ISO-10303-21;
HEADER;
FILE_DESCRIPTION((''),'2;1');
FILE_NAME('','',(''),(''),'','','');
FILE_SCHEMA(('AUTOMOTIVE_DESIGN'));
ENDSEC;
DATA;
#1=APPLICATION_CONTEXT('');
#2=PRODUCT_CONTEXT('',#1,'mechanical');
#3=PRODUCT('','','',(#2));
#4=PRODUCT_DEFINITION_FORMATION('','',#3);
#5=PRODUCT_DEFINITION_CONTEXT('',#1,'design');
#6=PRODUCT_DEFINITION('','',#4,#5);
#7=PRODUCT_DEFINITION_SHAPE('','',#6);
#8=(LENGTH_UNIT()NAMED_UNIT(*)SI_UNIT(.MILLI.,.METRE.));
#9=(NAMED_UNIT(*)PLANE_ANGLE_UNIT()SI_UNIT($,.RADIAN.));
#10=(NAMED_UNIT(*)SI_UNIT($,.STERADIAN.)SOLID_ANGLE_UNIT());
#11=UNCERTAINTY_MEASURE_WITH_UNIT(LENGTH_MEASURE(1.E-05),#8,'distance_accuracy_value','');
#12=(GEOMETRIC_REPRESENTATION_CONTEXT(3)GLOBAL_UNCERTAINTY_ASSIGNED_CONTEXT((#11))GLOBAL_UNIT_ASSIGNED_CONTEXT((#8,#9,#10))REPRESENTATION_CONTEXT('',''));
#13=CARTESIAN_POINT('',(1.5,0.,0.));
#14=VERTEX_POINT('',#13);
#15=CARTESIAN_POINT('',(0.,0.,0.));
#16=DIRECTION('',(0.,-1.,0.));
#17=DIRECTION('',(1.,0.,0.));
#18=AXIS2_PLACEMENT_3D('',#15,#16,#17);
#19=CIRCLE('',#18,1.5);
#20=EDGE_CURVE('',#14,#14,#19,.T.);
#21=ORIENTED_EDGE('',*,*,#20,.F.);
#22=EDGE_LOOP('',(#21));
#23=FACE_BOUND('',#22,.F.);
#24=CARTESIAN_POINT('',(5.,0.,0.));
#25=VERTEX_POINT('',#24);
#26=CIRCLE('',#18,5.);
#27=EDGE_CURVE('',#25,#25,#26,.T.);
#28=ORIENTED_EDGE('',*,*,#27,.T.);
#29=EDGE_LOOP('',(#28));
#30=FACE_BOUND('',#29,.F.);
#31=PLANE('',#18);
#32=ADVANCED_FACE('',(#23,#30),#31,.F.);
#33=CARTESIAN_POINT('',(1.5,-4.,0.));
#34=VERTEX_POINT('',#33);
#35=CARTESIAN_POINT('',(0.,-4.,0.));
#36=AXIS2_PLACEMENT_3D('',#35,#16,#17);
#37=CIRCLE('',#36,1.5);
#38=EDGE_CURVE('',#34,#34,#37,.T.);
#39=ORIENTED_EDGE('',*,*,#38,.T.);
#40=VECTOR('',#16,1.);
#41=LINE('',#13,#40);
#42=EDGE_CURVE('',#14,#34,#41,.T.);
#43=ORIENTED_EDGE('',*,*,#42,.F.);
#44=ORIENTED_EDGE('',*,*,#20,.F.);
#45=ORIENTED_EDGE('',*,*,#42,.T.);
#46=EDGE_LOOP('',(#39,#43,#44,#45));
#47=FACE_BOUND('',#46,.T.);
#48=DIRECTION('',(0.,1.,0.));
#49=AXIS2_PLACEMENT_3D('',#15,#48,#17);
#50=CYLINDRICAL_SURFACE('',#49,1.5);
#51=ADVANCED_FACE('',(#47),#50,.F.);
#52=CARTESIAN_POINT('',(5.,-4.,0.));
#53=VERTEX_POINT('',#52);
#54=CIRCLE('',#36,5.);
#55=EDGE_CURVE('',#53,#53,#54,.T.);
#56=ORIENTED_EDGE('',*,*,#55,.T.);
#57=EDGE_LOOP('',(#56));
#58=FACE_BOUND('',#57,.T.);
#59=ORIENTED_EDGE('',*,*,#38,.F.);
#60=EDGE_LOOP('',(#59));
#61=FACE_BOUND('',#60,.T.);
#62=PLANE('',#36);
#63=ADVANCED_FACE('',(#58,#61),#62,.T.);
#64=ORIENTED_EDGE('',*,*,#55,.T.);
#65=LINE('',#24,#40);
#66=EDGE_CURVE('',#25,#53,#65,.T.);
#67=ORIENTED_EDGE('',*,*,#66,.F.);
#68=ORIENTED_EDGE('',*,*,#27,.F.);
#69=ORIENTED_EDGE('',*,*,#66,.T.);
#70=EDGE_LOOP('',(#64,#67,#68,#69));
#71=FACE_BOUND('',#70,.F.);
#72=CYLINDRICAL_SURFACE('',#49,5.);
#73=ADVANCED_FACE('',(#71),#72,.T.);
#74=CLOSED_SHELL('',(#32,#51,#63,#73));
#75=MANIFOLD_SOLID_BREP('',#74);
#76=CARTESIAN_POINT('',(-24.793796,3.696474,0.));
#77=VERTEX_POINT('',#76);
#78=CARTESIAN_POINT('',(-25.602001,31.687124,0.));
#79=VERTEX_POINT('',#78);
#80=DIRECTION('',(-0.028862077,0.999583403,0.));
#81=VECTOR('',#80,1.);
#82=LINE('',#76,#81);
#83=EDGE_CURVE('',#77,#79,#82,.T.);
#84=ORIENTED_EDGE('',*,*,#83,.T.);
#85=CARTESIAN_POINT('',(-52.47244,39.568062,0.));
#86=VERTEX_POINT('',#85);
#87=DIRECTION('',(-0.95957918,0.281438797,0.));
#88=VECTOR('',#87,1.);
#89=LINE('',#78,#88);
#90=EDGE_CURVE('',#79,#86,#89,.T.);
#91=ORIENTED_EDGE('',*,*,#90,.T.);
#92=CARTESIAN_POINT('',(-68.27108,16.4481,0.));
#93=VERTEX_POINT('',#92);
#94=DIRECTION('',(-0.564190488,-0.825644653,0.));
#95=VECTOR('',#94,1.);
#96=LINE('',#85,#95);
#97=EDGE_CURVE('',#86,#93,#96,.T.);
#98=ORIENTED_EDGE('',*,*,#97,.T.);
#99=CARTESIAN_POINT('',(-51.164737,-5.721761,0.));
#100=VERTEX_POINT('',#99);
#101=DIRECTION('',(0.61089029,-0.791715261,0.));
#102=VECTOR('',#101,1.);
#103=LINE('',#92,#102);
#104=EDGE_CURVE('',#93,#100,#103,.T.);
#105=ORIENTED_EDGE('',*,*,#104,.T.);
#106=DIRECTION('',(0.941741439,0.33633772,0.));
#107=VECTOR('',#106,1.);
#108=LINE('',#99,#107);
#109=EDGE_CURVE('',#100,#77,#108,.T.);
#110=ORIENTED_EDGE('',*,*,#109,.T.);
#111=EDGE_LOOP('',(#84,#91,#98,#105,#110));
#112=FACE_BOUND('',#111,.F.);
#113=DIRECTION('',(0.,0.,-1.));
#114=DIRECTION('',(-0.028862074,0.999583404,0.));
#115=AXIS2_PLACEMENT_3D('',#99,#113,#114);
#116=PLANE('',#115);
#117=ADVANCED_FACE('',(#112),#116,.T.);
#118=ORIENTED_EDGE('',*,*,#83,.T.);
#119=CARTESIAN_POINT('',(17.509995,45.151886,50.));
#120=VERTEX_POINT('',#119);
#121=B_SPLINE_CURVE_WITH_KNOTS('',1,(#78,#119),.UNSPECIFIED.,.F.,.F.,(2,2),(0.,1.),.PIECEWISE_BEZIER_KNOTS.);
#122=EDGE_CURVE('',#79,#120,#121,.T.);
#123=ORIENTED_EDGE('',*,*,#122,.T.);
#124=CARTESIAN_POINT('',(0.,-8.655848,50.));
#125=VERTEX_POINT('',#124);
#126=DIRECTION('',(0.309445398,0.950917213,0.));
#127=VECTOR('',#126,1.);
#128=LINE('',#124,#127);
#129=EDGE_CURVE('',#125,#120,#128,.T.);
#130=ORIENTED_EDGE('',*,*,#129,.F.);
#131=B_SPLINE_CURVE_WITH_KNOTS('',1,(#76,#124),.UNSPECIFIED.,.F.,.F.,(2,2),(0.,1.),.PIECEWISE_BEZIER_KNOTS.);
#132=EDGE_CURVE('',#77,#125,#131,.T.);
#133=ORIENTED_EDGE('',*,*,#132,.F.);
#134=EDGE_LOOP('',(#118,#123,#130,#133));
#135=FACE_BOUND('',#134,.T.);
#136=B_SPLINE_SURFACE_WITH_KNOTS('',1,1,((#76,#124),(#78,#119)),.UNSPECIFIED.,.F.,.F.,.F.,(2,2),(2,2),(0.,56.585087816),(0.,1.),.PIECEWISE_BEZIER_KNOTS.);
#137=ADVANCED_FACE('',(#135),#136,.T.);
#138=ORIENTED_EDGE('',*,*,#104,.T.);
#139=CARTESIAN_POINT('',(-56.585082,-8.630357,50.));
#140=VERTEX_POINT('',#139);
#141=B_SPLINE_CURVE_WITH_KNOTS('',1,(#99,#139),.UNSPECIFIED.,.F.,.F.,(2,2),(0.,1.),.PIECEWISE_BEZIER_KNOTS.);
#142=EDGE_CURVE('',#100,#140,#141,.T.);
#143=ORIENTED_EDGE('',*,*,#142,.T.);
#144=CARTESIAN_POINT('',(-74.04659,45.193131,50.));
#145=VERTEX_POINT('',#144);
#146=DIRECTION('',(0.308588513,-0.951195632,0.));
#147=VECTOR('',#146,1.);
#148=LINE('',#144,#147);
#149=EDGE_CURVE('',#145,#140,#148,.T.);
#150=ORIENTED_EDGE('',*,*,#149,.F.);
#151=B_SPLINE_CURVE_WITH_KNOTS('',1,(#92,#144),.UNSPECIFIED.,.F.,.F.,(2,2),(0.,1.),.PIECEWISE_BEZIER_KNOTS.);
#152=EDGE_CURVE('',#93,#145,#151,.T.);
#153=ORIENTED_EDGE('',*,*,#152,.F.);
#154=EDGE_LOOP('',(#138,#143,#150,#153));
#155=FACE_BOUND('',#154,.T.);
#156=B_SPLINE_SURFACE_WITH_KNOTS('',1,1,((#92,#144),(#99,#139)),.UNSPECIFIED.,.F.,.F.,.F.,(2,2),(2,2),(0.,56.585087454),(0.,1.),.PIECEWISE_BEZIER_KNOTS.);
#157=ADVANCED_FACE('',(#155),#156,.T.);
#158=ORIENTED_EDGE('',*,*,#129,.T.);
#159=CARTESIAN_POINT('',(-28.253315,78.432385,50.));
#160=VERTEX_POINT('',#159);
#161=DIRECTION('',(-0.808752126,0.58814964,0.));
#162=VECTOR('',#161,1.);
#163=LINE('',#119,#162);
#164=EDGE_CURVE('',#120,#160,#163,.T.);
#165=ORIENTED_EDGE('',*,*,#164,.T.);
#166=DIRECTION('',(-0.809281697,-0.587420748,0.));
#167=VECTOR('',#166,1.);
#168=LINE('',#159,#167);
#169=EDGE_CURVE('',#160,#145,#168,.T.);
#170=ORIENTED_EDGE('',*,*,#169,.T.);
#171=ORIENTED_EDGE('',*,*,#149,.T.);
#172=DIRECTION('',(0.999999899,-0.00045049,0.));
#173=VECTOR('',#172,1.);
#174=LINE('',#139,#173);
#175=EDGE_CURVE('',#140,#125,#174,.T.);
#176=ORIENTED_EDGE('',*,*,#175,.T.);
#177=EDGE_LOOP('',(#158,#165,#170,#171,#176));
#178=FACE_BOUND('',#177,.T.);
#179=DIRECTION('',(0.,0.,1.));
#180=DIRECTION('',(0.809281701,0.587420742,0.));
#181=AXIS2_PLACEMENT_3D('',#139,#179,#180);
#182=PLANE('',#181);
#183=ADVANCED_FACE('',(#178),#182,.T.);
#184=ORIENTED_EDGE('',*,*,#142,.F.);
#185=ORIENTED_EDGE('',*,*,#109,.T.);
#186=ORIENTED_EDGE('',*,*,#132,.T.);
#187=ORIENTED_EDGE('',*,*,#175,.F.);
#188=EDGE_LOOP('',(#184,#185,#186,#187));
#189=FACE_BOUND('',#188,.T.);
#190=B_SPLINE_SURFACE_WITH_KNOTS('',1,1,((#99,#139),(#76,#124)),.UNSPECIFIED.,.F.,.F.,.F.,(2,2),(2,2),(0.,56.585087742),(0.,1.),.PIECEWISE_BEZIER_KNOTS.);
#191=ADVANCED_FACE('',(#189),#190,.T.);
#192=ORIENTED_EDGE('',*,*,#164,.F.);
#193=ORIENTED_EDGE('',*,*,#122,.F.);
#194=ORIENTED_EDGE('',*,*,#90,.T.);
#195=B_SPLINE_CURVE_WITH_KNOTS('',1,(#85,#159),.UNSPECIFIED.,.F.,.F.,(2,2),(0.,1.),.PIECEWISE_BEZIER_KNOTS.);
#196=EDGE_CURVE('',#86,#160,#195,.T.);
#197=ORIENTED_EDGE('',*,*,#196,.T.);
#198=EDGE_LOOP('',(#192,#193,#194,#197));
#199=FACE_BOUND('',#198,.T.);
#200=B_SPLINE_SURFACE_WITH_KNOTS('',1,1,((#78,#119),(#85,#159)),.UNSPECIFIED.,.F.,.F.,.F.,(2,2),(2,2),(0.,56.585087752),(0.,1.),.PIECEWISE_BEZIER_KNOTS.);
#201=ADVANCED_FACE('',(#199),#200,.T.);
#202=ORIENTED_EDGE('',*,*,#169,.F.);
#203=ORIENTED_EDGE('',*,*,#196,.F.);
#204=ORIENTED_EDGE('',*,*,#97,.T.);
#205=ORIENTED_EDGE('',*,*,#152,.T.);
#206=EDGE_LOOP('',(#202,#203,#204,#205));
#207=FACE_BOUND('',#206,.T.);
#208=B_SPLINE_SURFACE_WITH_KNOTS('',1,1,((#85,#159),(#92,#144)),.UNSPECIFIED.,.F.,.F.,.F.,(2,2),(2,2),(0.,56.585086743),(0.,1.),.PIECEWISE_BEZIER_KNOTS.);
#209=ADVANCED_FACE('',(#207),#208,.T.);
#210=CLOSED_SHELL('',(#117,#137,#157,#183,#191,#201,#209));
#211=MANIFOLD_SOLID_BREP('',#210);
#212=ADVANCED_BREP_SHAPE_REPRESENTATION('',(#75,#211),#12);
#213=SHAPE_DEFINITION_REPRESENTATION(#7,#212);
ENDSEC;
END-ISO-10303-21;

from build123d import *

# Parameters (mm, degrees)
F0_R     = 5
F0_R_2   = 1.5
F1_DEPTH = 4


with BuildPart() as f1:
    # F0 (on Front) → F1 (new body)
    with BuildSketch(Plane.XZ):
        Circle(F0_R)
        Circle(F0_R_2, mode=Mode.SUBTRACT)
    extrude(amount=F1_DEPTH)


with BuildPart() as f5:
    # F2 (on Top) → F5 section 0
    with BuildSketch(Plane.XY):
        Polygon((-51.164737, -5.721761), (-24.793796, 3.696474), (-25.602001, 31.687124), (-52.47244, 39.568062), (-68.27108, 16.4481), align=None)
    # F4 (on offset) → F5 section 1
    with BuildSketch(Plane.XY.offset(50)):
        Polygon((-56.585082, -8.630357), (0, -8.655848), (17.509995, 45.151886), (-28.253315, 78.432385), (-74.04659, 45.193131), align=None)
    loft()


solid = Compound([f1.part, f5.part])
